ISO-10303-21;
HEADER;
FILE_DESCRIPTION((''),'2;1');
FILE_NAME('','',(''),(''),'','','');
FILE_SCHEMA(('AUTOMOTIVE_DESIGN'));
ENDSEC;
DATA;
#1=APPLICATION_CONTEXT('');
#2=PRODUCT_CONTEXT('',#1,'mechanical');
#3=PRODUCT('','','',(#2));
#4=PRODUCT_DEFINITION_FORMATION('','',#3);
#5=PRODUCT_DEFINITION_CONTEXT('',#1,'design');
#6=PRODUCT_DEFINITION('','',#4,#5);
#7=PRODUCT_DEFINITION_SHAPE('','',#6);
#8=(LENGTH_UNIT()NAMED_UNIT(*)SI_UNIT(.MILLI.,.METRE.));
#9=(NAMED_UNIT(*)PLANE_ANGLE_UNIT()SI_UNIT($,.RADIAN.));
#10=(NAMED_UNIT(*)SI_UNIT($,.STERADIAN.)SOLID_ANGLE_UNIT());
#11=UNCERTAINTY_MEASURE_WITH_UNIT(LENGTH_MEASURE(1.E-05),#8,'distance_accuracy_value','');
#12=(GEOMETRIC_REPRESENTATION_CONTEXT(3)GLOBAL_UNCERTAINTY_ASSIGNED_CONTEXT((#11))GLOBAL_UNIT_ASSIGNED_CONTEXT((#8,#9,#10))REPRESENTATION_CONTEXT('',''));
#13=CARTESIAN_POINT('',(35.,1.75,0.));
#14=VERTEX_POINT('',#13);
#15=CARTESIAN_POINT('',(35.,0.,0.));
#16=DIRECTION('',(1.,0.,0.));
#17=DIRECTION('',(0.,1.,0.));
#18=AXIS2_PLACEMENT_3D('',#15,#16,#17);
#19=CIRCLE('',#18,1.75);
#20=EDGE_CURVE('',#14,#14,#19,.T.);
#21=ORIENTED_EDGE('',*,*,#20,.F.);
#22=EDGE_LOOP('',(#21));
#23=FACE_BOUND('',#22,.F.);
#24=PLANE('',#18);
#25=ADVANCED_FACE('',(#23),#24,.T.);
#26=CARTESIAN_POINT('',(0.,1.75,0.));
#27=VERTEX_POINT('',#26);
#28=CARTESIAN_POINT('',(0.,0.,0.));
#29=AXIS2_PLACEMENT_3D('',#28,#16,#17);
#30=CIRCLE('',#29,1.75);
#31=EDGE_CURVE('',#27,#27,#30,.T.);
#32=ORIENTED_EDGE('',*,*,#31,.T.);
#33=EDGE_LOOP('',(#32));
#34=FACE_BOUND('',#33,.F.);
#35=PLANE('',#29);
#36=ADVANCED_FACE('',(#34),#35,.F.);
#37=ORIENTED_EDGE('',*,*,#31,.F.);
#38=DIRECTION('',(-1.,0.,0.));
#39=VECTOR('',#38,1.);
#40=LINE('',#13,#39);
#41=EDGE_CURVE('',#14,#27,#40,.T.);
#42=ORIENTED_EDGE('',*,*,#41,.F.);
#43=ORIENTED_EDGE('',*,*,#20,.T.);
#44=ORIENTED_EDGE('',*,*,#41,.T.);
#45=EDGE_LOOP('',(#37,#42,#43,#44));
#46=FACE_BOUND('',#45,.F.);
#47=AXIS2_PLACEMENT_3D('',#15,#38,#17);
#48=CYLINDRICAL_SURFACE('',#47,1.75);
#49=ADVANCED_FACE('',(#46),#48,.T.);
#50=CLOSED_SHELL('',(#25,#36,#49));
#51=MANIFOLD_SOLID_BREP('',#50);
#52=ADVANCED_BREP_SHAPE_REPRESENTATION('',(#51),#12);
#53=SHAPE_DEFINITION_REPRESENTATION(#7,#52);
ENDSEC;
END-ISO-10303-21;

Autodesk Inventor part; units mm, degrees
ref_plane "YZ Plane" through (0, 0, 0) normal (1, 0, 0) x (0, 1, 0)
ref_plane "XZ Plane" through (0, 0, 0) normal (0, 1, 0) x (-1, 0, 0)
ref_plane "XY Plane" through (0, 0, 0) normal (0, 0, 1) x (1, 0, 0)
sketch "Sketch1" plane through (0, 0, 0) normal (0, 0, 1) x (1, 0, 0)
  point P0 (0, 0)
sketch "Sketch2" plane through (0, 0, 0) normal (0, 0, 1) x (1, 0, 0)
  line L0 (0, 0) -> (35, 0)
  line L1 (35, 0) -> (35, 1.75)
  line L2 (35, 1.75) -> (0, 1.75)
  line L3 (0, 1.75) -> (0, 0)
  dimension "d0" = 1.75
  dimension "d1" = 35
revolve "Revolution1" add sketch "Sketch2" angle 360 about axis through (0, 0, 0) along (1, 0, 0)
properties part number "pin"
